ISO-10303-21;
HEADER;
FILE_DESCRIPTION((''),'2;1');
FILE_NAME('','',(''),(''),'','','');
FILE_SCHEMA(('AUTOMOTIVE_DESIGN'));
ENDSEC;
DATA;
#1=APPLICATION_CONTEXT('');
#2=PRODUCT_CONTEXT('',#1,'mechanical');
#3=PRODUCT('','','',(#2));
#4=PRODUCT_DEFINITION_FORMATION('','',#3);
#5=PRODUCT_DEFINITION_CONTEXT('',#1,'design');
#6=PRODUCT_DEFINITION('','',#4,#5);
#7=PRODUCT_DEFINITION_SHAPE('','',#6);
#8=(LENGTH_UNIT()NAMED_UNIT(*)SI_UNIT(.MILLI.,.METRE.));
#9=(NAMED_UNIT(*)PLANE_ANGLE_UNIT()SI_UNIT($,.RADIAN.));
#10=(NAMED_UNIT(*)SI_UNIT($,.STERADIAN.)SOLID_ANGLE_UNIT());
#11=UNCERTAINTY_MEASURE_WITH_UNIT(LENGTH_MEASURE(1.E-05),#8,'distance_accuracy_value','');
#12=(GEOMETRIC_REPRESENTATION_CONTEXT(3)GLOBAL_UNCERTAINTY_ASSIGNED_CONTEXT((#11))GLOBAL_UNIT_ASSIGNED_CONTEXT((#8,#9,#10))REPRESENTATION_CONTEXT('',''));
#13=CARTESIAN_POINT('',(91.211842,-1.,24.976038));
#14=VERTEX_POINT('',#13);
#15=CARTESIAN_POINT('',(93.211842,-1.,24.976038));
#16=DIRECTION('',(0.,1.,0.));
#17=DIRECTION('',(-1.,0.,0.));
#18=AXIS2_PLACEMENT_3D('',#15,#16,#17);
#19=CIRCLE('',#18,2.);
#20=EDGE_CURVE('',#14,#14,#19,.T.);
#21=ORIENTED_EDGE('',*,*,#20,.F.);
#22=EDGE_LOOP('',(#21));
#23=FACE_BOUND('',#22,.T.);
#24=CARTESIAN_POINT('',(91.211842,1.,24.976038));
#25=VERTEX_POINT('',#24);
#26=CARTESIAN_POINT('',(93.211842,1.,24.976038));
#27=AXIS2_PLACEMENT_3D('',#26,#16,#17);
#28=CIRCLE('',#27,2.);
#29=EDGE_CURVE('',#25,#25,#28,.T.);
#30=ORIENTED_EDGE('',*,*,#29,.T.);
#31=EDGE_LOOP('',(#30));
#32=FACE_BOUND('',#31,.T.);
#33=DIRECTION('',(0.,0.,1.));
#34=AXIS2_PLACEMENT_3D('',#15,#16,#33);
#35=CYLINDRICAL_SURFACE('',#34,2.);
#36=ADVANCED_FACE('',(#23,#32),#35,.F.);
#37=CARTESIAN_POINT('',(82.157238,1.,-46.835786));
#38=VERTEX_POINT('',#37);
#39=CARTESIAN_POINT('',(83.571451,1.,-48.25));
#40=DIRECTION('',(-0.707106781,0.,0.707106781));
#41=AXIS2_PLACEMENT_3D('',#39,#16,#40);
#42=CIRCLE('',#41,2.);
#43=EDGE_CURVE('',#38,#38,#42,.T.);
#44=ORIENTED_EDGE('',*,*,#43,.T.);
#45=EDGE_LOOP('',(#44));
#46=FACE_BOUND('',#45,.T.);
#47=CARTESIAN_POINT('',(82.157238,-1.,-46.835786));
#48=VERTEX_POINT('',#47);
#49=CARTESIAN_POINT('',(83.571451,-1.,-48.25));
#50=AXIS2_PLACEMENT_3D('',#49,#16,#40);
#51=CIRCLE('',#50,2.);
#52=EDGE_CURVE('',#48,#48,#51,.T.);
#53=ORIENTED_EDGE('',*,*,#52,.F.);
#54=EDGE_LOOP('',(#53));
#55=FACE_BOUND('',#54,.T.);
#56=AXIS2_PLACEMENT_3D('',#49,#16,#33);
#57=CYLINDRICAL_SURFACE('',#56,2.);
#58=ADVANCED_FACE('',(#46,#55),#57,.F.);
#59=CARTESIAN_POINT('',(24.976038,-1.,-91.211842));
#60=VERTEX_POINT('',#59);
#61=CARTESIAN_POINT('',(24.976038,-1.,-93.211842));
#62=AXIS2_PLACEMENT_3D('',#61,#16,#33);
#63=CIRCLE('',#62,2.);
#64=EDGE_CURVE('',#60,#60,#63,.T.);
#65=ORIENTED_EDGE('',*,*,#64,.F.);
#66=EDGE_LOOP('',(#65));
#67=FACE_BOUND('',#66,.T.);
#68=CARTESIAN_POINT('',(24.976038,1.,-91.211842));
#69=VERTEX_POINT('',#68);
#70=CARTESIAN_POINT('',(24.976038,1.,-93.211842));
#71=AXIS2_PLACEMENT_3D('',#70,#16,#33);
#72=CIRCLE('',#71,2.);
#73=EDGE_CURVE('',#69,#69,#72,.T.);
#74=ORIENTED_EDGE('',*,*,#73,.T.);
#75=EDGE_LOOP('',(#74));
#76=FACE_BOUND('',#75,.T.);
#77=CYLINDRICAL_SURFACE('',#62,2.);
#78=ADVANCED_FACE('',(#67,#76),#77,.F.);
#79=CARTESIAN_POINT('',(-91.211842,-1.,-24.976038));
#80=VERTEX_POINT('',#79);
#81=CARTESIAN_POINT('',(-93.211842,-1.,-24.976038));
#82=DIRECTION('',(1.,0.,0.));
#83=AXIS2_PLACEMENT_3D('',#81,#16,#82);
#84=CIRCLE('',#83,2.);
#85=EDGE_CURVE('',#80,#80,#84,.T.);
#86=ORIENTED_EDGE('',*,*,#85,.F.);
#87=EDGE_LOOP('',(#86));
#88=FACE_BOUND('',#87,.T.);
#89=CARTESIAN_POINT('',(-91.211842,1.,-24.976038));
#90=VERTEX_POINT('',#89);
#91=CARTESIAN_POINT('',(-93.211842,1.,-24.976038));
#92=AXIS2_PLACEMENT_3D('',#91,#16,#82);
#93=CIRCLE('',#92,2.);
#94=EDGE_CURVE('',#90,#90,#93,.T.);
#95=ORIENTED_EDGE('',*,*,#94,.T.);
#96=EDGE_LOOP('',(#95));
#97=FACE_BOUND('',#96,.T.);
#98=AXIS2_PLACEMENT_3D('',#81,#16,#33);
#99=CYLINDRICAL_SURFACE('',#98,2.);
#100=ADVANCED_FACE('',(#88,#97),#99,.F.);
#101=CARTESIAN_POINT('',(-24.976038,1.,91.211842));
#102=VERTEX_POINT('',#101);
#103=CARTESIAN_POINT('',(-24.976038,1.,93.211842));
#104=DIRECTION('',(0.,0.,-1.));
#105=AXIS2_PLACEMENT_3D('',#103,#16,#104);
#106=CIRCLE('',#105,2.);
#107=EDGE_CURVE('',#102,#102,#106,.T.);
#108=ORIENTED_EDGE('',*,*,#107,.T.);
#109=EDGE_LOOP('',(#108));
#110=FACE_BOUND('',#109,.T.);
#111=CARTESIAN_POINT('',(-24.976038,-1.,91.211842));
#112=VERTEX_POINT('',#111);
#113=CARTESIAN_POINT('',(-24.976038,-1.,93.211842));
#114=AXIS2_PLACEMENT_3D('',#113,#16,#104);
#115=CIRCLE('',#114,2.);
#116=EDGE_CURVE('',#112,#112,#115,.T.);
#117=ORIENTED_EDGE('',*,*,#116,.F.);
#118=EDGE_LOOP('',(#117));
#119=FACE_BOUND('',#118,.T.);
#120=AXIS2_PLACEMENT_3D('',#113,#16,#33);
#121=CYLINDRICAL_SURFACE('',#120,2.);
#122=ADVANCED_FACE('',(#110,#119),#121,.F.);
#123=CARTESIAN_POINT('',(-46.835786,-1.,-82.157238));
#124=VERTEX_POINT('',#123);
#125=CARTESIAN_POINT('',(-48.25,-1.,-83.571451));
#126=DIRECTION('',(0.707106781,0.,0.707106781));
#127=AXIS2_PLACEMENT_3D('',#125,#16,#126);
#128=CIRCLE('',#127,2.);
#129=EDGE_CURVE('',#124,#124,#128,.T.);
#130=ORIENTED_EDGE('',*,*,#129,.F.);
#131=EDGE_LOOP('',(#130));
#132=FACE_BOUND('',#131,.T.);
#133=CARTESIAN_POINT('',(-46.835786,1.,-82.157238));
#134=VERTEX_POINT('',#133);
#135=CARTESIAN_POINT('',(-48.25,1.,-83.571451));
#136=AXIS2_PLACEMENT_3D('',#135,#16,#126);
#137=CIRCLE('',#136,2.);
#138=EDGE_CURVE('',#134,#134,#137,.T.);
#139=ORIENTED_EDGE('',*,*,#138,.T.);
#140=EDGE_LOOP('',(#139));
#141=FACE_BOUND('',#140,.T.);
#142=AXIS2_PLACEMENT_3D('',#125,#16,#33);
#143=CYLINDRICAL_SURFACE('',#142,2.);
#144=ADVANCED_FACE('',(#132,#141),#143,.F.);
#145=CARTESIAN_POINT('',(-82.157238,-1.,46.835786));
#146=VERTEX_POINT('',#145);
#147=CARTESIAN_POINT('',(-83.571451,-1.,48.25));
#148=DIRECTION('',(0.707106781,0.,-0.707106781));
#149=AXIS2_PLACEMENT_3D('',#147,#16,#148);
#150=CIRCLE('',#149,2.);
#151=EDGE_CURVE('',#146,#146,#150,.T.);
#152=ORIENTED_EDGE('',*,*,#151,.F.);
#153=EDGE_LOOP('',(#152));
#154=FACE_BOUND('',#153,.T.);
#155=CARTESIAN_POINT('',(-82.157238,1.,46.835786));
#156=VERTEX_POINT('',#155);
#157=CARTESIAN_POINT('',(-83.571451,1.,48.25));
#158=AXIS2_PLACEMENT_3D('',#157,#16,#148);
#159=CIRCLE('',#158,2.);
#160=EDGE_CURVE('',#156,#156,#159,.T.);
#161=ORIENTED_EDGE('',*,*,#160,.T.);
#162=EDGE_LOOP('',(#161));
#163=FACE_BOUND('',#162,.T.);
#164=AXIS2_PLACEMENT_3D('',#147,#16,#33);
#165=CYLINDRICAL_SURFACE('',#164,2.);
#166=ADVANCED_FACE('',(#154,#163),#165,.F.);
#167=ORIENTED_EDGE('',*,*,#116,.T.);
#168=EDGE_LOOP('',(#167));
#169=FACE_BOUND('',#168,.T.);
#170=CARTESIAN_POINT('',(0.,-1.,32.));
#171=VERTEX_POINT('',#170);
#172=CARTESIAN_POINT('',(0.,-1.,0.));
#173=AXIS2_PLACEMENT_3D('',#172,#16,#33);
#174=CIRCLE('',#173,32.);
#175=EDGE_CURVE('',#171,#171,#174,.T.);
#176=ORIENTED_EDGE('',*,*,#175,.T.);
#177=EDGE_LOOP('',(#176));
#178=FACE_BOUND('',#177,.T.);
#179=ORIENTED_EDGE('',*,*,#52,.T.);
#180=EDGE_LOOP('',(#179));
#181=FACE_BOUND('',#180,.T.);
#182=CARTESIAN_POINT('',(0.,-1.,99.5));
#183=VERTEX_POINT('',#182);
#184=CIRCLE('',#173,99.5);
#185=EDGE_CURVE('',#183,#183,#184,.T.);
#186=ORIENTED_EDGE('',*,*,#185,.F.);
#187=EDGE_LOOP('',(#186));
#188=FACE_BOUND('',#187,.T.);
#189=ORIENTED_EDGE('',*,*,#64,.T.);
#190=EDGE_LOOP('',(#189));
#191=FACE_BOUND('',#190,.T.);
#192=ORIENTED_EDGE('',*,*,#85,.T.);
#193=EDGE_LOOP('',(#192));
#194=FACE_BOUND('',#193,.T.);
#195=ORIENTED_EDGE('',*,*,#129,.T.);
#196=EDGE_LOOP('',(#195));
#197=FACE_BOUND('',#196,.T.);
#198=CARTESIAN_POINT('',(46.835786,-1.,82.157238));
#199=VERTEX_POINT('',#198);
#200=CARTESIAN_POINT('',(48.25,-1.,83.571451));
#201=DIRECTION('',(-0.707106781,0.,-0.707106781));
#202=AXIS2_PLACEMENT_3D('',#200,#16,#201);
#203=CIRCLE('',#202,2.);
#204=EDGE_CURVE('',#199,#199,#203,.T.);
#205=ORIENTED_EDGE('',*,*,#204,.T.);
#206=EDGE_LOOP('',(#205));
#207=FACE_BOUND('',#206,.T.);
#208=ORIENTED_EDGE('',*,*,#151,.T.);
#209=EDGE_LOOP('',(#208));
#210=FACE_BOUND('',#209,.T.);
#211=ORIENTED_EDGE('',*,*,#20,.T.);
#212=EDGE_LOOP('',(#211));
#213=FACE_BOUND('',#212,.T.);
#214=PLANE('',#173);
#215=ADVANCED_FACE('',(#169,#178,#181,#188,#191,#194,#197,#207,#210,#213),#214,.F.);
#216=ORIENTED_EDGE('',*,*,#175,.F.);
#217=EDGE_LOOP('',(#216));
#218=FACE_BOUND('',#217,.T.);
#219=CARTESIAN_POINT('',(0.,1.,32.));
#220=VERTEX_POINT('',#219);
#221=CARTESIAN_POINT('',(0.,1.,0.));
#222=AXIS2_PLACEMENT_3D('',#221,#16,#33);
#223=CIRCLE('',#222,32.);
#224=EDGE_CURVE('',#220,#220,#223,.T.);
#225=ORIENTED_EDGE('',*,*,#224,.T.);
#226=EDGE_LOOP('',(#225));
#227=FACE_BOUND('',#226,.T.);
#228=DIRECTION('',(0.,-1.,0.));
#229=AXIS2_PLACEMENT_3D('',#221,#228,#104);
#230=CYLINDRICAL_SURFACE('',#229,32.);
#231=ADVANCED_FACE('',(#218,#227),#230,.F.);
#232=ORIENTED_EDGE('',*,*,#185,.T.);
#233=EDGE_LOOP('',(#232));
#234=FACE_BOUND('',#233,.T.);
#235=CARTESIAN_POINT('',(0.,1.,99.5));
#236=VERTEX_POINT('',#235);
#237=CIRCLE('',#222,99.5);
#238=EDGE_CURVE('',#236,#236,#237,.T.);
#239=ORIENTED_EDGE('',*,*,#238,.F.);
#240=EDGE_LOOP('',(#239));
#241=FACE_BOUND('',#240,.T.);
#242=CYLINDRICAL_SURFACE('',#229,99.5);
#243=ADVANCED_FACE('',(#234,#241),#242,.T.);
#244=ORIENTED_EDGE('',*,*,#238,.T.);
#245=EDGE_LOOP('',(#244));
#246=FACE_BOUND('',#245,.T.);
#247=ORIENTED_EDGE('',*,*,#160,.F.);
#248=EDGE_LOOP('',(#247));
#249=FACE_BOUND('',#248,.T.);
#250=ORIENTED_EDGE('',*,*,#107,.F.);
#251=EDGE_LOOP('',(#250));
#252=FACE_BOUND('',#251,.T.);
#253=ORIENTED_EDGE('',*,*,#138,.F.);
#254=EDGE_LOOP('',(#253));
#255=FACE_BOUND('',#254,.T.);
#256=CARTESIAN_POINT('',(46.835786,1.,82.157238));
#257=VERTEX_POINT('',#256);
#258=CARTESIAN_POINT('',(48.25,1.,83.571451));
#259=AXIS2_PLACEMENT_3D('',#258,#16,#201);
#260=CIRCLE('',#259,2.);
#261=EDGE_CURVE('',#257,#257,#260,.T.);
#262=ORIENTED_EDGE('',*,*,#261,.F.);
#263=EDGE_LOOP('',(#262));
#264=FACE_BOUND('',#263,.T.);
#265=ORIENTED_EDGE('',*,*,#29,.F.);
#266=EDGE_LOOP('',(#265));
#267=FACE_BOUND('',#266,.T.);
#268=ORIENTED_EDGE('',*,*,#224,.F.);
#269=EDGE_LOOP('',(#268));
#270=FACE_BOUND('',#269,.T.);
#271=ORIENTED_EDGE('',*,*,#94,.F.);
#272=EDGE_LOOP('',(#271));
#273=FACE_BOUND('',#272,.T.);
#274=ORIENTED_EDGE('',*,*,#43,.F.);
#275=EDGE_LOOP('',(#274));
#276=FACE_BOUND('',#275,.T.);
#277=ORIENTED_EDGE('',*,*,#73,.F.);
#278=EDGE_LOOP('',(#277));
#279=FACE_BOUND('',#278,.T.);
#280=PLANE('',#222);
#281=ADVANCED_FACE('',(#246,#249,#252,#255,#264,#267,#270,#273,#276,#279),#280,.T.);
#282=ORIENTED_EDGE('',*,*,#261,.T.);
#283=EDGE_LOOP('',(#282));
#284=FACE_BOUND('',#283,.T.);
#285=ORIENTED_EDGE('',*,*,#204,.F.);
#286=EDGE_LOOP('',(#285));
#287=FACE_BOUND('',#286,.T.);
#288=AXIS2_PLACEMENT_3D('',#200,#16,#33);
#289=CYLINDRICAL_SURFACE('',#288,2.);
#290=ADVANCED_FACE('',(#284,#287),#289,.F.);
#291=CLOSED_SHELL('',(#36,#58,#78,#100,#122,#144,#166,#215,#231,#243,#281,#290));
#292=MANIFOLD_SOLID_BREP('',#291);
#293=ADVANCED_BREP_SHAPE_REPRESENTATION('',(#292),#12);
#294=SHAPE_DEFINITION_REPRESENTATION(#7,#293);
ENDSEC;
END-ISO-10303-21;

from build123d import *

# Parameters (mm, degrees)
SKETCH1_R                     = 99.5
SKETCH1_R_2                   = 32
BASE_DEPTH                    = 1
SKETCH2_R                     = 2
STRUCTURAL_HOLE_DEPTH         = 141.72846194
STRUCTURAL_HOLE_PATTERN_COUNT = 8


with BuildPart() as part:
    # Sketch1 → Base (new, symmetric)
    with BuildSketch(Plane(origin=(0, 0, 0), x_dir=(1, 0, 0), z_dir=(0, 1, 0))):
        with Locations(Location((0, 0, 0), (0, 0, 270))):
            Circle(SKETCH1_R)
        with Locations(Location((0, 0, 0), (0, 0, 270))):
            Circle(SKETCH1_R_2, mode=Mode.SUBTRACT)
    extrude(amount=BASE_DEPTH, both=True)

    # Sketch2 → Structural Hole (cut, through all)
    with BuildSketch(Plane(origin=(0, 1, 0), x_dir=(1, 0, 0), z_dir=(0, 1, 0))):
        with Locations(Location((24.976037852, 93.211842237, 0), (0, 0, 270))):
            Circle(SKETCH2_R)
    structural_hole = extrude(amount=-STRUCTURAL_HOLE_DEPTH, mode=Mode.SUBTRACT)

    # Structural Hole Pattern: Structural Hole ×8 about axis
    structural_hole_pattern_axis = Axis((0, 0, 0), (0, 1, 0))
    for i in range(1, STRUCTURAL_HOLE_PATTERN_COUNT):
        add(structural_hole.rotate(structural_hole_pattern_axis, i * 360 / STRUCTURAL_HOLE_PATTERN_COUNT), mode=Mode.SUBTRACT)


solid = part.part
